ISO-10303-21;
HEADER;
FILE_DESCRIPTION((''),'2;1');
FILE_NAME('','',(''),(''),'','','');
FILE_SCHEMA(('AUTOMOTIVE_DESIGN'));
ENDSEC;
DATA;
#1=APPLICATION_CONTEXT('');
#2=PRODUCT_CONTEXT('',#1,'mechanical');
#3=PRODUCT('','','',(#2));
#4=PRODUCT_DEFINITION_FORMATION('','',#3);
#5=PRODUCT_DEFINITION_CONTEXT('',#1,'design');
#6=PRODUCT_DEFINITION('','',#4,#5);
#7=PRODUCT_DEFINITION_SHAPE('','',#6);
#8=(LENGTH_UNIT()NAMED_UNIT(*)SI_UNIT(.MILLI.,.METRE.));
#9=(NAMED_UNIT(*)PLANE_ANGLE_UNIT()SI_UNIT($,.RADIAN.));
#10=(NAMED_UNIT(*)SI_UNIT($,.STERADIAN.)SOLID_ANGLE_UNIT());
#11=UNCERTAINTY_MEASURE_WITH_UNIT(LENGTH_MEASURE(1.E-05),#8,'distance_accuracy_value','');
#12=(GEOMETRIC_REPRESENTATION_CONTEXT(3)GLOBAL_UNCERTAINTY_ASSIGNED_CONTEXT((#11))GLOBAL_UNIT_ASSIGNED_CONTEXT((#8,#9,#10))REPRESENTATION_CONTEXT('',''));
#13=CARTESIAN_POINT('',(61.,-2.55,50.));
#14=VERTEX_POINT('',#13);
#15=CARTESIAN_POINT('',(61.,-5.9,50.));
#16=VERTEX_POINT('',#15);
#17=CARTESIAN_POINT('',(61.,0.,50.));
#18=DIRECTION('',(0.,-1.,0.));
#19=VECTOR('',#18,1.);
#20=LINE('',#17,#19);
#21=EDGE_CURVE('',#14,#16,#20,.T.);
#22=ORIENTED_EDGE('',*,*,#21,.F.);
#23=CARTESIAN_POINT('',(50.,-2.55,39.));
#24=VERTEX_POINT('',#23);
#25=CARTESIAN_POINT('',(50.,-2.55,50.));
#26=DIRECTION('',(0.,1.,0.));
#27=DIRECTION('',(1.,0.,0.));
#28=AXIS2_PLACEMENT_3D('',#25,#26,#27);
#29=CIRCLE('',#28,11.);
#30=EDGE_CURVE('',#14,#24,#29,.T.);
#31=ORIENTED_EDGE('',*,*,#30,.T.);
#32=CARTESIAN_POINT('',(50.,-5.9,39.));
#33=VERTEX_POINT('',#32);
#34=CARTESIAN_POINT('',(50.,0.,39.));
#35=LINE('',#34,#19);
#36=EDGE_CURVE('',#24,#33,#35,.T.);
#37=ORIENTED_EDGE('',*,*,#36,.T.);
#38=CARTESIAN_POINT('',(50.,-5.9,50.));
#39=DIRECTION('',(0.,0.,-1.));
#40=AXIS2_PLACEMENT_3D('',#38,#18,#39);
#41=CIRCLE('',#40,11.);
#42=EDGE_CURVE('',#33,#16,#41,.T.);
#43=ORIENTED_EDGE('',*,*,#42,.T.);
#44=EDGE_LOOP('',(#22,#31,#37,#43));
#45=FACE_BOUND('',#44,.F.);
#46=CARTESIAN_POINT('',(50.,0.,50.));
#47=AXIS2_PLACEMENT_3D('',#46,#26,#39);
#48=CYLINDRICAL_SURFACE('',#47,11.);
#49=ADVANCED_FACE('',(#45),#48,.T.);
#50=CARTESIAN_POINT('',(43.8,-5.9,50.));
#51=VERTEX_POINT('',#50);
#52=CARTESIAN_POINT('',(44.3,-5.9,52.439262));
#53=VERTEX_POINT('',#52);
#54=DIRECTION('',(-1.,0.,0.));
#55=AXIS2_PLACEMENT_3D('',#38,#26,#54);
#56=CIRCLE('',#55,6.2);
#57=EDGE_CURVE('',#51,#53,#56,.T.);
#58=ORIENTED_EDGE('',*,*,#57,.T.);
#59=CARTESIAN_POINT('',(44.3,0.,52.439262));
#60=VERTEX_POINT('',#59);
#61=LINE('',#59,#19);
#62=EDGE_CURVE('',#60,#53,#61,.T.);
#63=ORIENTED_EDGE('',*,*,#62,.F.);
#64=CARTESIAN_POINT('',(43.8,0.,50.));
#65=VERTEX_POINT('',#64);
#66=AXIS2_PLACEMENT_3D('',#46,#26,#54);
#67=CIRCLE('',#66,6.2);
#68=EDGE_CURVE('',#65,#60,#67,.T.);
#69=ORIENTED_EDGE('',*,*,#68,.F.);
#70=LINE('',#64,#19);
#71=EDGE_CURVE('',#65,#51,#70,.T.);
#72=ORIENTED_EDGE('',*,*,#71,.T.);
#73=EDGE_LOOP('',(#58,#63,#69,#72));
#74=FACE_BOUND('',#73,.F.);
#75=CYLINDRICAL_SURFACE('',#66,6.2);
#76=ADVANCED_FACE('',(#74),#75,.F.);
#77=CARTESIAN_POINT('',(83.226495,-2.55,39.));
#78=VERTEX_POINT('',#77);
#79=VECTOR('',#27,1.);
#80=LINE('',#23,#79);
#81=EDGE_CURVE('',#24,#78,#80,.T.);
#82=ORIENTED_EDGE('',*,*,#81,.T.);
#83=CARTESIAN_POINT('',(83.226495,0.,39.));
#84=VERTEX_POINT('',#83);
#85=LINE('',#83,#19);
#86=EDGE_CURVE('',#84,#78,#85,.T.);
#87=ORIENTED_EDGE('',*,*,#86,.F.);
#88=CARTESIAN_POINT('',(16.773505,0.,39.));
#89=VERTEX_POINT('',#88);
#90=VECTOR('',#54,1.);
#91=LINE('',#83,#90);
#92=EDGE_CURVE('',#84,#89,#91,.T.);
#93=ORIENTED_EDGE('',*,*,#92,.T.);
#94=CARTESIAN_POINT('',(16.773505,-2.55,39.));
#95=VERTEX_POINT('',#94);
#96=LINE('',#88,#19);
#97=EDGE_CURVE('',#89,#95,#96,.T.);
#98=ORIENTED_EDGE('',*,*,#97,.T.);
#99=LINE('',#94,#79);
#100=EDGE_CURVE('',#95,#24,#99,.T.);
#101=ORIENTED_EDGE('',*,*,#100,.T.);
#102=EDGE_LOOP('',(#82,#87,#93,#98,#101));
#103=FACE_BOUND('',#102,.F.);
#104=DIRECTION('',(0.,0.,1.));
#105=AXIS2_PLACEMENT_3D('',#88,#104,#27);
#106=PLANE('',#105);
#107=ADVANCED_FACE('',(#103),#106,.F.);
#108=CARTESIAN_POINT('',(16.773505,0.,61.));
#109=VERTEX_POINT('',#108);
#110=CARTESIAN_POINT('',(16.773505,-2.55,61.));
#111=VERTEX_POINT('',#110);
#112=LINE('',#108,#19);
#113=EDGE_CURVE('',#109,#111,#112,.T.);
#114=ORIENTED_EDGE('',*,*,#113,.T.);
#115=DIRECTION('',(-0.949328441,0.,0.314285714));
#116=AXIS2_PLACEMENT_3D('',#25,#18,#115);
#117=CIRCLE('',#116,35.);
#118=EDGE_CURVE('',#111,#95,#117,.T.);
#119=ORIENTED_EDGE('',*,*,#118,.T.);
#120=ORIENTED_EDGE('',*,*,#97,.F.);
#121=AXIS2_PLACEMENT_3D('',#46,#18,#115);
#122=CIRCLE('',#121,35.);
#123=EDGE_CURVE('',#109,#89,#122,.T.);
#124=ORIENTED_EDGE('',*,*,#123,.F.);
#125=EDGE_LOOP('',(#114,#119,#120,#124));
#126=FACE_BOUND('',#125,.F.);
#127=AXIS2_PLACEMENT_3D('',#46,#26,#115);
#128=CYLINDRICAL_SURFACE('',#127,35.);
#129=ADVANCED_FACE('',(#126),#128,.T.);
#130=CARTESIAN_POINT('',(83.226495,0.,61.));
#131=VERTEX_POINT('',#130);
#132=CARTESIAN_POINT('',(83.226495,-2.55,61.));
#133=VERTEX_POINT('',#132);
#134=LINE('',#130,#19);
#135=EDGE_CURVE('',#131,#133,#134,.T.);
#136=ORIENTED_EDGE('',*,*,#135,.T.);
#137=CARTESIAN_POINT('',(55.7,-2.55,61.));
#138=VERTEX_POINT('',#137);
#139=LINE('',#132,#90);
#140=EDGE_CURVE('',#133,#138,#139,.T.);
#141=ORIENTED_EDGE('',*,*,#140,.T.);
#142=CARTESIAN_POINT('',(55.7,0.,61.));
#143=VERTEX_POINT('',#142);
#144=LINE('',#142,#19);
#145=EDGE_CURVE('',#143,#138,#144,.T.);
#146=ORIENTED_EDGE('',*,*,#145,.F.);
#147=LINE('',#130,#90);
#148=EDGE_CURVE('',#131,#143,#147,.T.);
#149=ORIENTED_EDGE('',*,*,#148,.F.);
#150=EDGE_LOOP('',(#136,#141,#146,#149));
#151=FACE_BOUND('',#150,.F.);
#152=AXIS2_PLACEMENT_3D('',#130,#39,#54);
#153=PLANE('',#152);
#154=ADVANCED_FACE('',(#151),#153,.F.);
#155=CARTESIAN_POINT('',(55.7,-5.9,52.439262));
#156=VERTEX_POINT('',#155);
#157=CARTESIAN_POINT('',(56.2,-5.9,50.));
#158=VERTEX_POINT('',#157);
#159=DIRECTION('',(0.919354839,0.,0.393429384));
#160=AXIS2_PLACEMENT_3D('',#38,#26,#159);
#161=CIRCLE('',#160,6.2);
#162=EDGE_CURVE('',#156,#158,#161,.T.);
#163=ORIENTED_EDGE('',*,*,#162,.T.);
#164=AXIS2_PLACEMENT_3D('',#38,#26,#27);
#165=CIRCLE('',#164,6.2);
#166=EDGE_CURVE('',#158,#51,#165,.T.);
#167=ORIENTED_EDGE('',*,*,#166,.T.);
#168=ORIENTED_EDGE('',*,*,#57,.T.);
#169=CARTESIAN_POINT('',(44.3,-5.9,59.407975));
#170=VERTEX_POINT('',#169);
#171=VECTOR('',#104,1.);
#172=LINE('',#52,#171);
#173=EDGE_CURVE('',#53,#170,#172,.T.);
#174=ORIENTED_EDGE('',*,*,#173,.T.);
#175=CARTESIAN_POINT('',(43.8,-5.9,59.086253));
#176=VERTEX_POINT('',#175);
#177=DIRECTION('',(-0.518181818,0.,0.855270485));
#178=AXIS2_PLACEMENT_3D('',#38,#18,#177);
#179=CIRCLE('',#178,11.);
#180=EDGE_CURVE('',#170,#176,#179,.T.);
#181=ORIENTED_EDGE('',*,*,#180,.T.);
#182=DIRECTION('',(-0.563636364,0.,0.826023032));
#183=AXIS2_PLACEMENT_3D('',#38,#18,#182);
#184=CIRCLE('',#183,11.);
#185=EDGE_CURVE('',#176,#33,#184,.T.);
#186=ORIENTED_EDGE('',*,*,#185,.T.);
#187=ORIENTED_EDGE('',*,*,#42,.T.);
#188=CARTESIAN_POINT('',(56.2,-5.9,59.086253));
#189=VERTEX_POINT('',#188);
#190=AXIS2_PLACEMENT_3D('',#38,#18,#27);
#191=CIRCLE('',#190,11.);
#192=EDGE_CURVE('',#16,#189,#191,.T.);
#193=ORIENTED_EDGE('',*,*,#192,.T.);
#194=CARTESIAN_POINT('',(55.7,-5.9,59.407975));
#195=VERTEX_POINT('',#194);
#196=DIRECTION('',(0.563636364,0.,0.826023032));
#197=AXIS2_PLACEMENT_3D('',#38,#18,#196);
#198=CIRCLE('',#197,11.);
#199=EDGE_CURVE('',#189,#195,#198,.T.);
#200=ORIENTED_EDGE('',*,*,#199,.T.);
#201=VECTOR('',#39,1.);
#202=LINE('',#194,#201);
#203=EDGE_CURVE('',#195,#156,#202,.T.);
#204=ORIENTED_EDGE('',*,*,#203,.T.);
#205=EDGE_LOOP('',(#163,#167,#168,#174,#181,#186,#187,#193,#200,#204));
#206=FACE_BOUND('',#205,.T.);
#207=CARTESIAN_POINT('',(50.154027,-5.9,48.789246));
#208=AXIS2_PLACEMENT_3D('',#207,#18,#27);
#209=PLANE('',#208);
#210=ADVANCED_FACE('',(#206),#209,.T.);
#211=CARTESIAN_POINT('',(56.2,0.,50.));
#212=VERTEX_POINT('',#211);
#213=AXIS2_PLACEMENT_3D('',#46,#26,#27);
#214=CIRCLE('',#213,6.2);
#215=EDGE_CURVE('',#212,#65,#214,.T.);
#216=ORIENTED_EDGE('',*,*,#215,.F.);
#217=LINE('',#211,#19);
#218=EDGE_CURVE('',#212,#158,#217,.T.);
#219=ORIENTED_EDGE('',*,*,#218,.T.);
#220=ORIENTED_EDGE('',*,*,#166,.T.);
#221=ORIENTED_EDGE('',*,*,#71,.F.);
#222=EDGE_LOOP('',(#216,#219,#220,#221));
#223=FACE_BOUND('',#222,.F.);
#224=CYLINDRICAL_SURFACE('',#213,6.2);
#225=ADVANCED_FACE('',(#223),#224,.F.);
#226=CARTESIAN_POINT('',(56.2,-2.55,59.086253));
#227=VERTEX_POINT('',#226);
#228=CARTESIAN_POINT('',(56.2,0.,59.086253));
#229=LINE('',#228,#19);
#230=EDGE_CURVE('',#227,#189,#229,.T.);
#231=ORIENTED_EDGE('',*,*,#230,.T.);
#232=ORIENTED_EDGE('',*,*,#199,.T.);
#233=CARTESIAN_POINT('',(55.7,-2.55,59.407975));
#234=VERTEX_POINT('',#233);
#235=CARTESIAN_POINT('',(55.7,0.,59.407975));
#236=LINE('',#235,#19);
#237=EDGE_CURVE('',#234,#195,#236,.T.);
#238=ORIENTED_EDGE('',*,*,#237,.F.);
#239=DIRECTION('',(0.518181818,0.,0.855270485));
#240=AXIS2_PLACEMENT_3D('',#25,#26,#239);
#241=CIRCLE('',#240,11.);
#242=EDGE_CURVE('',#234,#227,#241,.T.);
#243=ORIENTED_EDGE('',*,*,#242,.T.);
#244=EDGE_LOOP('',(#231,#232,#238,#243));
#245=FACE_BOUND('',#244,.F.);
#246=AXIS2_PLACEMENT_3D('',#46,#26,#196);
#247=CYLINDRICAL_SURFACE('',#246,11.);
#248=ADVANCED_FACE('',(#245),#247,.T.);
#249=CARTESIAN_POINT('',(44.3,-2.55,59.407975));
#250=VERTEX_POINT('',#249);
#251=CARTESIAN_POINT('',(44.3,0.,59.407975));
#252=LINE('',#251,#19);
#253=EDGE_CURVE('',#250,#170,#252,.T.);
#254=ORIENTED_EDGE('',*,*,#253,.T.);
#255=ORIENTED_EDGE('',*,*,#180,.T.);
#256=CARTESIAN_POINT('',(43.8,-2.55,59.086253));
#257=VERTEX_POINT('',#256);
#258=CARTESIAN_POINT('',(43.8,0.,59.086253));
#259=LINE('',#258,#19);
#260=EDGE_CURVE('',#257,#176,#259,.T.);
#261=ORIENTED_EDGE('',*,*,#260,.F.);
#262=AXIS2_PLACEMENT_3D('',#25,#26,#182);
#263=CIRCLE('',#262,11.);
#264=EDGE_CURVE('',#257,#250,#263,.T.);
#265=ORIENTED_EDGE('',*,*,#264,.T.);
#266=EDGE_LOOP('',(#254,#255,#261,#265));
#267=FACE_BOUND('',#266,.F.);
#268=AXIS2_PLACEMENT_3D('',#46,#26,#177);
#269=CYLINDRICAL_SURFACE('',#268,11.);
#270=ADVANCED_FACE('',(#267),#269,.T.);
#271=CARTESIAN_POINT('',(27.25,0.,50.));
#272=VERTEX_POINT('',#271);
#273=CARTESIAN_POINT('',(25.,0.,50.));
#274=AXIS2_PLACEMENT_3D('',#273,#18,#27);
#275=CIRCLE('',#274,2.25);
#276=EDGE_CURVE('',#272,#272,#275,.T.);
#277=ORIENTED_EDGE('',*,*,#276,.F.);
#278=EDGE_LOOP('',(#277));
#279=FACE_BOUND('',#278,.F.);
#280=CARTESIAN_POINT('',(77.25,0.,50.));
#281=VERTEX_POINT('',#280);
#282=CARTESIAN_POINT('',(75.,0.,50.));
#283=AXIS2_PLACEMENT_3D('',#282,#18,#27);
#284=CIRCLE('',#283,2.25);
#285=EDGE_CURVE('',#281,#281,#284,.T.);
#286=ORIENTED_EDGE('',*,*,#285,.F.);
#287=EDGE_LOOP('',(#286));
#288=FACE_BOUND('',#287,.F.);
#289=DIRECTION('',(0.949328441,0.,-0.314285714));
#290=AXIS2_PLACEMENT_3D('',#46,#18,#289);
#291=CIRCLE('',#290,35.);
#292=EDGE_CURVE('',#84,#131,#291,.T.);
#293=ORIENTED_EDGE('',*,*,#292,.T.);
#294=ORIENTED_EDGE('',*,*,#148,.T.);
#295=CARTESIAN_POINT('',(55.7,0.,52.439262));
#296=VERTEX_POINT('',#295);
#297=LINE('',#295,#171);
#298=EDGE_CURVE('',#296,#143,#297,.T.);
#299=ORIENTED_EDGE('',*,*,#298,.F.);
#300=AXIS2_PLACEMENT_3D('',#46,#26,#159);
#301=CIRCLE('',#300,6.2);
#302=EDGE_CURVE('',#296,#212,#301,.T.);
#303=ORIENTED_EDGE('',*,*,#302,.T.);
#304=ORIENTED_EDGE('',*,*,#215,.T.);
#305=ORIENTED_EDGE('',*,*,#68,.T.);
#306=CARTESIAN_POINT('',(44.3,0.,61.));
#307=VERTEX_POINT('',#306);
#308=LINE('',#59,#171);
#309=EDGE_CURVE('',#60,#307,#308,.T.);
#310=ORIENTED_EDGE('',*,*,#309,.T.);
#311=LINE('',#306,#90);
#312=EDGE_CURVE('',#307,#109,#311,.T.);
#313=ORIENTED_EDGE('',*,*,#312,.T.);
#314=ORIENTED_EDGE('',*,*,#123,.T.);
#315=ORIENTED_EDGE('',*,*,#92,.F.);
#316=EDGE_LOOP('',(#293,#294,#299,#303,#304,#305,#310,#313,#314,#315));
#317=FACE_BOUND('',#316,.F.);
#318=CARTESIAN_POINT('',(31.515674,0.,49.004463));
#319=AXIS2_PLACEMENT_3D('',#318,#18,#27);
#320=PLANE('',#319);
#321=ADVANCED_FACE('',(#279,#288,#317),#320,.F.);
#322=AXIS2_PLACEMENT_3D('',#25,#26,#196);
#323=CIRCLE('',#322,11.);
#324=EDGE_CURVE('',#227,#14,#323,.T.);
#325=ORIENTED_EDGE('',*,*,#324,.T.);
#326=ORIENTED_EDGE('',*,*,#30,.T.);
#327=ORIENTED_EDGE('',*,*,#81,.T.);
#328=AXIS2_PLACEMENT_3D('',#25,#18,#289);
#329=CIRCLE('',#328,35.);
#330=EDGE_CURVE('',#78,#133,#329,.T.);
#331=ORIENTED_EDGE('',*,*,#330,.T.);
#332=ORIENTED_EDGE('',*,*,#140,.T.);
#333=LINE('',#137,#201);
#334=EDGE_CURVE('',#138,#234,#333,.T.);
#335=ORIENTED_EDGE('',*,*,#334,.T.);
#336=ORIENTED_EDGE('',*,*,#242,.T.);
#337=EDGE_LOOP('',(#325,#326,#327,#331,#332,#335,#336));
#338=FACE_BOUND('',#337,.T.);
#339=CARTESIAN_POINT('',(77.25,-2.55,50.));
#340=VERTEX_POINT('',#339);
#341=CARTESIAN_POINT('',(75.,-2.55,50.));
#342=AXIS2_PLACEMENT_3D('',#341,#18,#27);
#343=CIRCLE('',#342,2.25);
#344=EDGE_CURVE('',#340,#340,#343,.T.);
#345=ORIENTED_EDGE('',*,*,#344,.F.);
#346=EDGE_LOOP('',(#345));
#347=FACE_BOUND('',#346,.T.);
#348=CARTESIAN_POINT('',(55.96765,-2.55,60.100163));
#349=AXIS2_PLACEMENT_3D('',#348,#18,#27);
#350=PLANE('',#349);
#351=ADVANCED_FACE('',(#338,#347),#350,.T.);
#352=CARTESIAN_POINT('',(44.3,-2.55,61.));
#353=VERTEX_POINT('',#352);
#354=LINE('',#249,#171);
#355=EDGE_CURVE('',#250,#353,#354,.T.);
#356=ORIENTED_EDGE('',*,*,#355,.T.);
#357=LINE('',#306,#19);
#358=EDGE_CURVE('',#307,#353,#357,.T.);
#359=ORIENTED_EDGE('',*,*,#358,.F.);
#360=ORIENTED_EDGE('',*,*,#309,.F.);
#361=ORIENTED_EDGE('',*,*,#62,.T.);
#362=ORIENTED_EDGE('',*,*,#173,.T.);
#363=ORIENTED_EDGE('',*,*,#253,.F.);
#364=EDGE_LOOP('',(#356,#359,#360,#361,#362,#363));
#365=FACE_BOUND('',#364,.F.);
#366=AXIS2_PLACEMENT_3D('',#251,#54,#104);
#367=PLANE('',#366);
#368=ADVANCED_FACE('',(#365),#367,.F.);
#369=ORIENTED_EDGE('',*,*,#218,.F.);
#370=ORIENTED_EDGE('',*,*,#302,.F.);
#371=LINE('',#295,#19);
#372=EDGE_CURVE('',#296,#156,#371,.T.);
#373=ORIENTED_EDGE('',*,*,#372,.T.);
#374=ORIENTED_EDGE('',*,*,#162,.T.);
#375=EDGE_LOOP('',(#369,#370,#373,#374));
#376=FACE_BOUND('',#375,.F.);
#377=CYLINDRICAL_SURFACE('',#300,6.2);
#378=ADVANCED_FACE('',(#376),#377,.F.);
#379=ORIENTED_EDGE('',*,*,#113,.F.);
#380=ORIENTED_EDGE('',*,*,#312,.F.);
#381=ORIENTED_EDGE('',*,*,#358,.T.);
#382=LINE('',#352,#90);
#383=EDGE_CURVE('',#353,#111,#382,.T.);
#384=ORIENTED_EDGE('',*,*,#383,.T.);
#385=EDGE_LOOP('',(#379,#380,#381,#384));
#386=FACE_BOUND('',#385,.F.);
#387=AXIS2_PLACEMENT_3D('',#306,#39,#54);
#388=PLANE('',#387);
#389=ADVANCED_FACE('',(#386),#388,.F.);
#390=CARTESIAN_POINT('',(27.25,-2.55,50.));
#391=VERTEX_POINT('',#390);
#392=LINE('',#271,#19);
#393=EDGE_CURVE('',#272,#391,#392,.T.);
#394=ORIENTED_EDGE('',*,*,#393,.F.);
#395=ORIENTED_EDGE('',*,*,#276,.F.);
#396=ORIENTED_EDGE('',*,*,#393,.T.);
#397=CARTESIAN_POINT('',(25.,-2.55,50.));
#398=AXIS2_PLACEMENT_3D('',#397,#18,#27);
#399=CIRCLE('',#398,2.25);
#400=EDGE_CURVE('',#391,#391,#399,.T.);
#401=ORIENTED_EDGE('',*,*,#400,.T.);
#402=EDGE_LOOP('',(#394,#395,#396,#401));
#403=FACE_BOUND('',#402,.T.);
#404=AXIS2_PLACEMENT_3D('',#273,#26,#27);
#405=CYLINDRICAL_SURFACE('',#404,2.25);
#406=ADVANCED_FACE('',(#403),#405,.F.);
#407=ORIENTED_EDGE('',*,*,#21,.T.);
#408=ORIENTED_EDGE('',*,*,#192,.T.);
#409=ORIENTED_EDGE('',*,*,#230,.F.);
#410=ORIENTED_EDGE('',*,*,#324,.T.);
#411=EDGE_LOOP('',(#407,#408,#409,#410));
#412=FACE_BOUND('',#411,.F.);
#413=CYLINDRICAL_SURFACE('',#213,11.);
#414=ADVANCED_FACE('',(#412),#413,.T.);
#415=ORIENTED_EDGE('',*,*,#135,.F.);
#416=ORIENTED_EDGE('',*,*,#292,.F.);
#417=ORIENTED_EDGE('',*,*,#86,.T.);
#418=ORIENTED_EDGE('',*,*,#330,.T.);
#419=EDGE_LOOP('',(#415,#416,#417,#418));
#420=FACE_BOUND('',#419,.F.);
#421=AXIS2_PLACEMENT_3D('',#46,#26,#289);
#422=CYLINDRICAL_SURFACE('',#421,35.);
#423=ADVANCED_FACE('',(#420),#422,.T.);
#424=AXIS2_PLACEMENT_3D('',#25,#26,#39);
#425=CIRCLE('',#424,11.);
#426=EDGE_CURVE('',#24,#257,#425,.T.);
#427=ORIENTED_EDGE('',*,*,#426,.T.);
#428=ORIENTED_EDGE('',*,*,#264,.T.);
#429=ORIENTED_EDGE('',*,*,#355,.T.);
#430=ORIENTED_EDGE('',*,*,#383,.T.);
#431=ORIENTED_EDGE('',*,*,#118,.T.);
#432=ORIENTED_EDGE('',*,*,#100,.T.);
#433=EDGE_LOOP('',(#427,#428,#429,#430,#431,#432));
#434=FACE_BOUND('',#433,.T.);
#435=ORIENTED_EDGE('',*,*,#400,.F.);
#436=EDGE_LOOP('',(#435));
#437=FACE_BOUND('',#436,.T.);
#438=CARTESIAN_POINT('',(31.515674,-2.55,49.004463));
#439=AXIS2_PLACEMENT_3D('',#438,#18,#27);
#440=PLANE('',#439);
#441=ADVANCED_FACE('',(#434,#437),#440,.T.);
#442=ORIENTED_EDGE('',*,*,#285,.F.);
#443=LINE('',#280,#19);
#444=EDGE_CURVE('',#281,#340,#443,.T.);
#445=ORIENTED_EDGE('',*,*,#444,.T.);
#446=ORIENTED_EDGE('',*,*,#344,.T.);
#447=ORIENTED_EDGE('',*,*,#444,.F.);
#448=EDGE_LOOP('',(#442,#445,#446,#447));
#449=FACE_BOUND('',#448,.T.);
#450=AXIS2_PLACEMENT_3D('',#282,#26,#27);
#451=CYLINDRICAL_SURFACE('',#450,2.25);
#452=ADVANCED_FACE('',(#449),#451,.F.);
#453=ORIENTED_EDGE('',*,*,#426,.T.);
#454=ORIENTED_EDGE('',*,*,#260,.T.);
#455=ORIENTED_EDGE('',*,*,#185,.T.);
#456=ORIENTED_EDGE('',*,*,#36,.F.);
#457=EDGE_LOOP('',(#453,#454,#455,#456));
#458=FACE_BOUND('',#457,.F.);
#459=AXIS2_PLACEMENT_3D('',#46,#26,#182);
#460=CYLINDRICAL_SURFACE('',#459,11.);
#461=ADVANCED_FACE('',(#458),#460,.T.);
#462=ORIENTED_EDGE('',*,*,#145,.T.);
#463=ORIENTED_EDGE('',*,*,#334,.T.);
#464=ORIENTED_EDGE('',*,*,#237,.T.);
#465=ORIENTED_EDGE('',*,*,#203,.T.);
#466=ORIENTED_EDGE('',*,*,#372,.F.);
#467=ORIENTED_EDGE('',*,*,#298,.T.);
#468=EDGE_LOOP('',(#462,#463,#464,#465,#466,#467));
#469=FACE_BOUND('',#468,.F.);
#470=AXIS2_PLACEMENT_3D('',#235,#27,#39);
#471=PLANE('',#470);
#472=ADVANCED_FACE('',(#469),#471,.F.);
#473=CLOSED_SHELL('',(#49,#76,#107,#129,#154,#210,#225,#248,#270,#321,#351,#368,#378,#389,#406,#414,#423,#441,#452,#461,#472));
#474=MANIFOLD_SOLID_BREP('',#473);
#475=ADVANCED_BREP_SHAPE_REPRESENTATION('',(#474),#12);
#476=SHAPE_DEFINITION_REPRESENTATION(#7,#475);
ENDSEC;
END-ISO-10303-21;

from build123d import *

# Parameters (mm, degrees)
F1_DEPTH = 5.9
F0_R     = 2.25
F2_DEPTH = 2.55


with BuildPart() as f1:
    # F0 (on Front) → F1 (new body)
    with BuildSketch(Plane.XZ):
        with BuildLine():
            ThreePointArc((56.2, 50), (50, 43.8), (43.8, 50))
            Line((43.8, 50), (43.8, 59.0862533533))
            ThreePointArc((43.8, 59.0862533533), (39.4893200295, 46.7556808793), (50, 39))
            ThreePointArc((50, 39), (57.7781745931, 42.2218254069), (61, 50))
            ThreePointArc((61, 50), (59.7262531326, 55.1380930315), (56.2, 59.0862533533))
            Line((56.2, 59.0862533533), (56.2, 50))
        make_face()
        with BuildLine():
            ThreePointArc((55.7, 52.4392621835), (56.0737138556, 51.2449899598), (56.2, 50))
            Line((56.2, 50), (56.2, 59.0862533533))
            ThreePointArc((56.2, 59.0862533533), (55.9521740784, 59.250493162), (55.7, 59.4079753401))
            Line((55.7, 59.4079753401), (55.7, 52.4392621835))
        make_face()
        with BuildLine():
            Line((43.8, 59.0862533533), (43.8, 50))
            ThreePointArc((43.8, 50), (43.9262861444, 51.2449899598), (44.3, 52.4392621835))
            Line((44.3, 52.4392621835), (44.3, 59.4079753401))
            ThreePointArc((44.3, 59.4079753401), (44.0478259216, 59.250493162), (43.8, 59.0862533533))
        make_face()
    extrude(amount=F1_DEPTH)

    # F0 (on Front) → F2 (join)
    with BuildSketch(Plane.XZ):
        with BuildLine():
            ThreePointArc((50, 39), (39.4893200295, 46.7556808793), (43.8, 59.0862533533))
            Line((43.8, 59.0862533533), (43.8, 61))
            Line((43.8, 61), (16.7735045483, 61))
            ThreePointArc((16.7735045483, 61), (15, 50), (16.7735045483, 39))
            Line((16.7735045483, 39), (50, 39))
        make_face()
        with Locations((25, 50)):
            Circle(F0_R, mode=Mode.SUBTRACT)
        with BuildLine():
            Line((43.8, 61), (43.8, 59.0862533533))
            ThreePointArc((43.8, 59.0862533533), (44.0478259216, 59.250493162), (44.3, 59.4079753401))
            Line((44.3, 59.4079753401), (44.3, 61))
            Line((44.3, 61), (43.8, 61))
        make_face()
        with BuildLine():
            ThreePointArc((55.7, 59.4079753401), (55.9521740784, 59.250493162), (56.2, 59.0862533533))
            Line((56.2, 59.0862533533), (56.2, 61))
            Line((56.2, 61), (55.7, 61))
            Line((55.7, 61), (55.7, 59.4079753401))
        make_face()
        with BuildLine():
            Line((56.2, 61), (56.2, 59.0862533533))
            ThreePointArc((56.2, 59.0862533533), (59.7262531326, 55.1380930315), (61, 50))
            ThreePointArc((61, 50), (57.7781745931, 42.2218254069), (50, 39))
            Line((50, 39), (83.2264954517, 39))
            ThreePointArc((83.2264954517, 39), (85, 50), (83.2264954517, 61))
            Line((83.2264954517, 61), (56.2, 61))
        make_face()
        with Locations((75, 50)):
            Circle(F0_R, mode=Mode.SUBTRACT)
    extrude(amount=F2_DEPTH)


solid = f1.part
